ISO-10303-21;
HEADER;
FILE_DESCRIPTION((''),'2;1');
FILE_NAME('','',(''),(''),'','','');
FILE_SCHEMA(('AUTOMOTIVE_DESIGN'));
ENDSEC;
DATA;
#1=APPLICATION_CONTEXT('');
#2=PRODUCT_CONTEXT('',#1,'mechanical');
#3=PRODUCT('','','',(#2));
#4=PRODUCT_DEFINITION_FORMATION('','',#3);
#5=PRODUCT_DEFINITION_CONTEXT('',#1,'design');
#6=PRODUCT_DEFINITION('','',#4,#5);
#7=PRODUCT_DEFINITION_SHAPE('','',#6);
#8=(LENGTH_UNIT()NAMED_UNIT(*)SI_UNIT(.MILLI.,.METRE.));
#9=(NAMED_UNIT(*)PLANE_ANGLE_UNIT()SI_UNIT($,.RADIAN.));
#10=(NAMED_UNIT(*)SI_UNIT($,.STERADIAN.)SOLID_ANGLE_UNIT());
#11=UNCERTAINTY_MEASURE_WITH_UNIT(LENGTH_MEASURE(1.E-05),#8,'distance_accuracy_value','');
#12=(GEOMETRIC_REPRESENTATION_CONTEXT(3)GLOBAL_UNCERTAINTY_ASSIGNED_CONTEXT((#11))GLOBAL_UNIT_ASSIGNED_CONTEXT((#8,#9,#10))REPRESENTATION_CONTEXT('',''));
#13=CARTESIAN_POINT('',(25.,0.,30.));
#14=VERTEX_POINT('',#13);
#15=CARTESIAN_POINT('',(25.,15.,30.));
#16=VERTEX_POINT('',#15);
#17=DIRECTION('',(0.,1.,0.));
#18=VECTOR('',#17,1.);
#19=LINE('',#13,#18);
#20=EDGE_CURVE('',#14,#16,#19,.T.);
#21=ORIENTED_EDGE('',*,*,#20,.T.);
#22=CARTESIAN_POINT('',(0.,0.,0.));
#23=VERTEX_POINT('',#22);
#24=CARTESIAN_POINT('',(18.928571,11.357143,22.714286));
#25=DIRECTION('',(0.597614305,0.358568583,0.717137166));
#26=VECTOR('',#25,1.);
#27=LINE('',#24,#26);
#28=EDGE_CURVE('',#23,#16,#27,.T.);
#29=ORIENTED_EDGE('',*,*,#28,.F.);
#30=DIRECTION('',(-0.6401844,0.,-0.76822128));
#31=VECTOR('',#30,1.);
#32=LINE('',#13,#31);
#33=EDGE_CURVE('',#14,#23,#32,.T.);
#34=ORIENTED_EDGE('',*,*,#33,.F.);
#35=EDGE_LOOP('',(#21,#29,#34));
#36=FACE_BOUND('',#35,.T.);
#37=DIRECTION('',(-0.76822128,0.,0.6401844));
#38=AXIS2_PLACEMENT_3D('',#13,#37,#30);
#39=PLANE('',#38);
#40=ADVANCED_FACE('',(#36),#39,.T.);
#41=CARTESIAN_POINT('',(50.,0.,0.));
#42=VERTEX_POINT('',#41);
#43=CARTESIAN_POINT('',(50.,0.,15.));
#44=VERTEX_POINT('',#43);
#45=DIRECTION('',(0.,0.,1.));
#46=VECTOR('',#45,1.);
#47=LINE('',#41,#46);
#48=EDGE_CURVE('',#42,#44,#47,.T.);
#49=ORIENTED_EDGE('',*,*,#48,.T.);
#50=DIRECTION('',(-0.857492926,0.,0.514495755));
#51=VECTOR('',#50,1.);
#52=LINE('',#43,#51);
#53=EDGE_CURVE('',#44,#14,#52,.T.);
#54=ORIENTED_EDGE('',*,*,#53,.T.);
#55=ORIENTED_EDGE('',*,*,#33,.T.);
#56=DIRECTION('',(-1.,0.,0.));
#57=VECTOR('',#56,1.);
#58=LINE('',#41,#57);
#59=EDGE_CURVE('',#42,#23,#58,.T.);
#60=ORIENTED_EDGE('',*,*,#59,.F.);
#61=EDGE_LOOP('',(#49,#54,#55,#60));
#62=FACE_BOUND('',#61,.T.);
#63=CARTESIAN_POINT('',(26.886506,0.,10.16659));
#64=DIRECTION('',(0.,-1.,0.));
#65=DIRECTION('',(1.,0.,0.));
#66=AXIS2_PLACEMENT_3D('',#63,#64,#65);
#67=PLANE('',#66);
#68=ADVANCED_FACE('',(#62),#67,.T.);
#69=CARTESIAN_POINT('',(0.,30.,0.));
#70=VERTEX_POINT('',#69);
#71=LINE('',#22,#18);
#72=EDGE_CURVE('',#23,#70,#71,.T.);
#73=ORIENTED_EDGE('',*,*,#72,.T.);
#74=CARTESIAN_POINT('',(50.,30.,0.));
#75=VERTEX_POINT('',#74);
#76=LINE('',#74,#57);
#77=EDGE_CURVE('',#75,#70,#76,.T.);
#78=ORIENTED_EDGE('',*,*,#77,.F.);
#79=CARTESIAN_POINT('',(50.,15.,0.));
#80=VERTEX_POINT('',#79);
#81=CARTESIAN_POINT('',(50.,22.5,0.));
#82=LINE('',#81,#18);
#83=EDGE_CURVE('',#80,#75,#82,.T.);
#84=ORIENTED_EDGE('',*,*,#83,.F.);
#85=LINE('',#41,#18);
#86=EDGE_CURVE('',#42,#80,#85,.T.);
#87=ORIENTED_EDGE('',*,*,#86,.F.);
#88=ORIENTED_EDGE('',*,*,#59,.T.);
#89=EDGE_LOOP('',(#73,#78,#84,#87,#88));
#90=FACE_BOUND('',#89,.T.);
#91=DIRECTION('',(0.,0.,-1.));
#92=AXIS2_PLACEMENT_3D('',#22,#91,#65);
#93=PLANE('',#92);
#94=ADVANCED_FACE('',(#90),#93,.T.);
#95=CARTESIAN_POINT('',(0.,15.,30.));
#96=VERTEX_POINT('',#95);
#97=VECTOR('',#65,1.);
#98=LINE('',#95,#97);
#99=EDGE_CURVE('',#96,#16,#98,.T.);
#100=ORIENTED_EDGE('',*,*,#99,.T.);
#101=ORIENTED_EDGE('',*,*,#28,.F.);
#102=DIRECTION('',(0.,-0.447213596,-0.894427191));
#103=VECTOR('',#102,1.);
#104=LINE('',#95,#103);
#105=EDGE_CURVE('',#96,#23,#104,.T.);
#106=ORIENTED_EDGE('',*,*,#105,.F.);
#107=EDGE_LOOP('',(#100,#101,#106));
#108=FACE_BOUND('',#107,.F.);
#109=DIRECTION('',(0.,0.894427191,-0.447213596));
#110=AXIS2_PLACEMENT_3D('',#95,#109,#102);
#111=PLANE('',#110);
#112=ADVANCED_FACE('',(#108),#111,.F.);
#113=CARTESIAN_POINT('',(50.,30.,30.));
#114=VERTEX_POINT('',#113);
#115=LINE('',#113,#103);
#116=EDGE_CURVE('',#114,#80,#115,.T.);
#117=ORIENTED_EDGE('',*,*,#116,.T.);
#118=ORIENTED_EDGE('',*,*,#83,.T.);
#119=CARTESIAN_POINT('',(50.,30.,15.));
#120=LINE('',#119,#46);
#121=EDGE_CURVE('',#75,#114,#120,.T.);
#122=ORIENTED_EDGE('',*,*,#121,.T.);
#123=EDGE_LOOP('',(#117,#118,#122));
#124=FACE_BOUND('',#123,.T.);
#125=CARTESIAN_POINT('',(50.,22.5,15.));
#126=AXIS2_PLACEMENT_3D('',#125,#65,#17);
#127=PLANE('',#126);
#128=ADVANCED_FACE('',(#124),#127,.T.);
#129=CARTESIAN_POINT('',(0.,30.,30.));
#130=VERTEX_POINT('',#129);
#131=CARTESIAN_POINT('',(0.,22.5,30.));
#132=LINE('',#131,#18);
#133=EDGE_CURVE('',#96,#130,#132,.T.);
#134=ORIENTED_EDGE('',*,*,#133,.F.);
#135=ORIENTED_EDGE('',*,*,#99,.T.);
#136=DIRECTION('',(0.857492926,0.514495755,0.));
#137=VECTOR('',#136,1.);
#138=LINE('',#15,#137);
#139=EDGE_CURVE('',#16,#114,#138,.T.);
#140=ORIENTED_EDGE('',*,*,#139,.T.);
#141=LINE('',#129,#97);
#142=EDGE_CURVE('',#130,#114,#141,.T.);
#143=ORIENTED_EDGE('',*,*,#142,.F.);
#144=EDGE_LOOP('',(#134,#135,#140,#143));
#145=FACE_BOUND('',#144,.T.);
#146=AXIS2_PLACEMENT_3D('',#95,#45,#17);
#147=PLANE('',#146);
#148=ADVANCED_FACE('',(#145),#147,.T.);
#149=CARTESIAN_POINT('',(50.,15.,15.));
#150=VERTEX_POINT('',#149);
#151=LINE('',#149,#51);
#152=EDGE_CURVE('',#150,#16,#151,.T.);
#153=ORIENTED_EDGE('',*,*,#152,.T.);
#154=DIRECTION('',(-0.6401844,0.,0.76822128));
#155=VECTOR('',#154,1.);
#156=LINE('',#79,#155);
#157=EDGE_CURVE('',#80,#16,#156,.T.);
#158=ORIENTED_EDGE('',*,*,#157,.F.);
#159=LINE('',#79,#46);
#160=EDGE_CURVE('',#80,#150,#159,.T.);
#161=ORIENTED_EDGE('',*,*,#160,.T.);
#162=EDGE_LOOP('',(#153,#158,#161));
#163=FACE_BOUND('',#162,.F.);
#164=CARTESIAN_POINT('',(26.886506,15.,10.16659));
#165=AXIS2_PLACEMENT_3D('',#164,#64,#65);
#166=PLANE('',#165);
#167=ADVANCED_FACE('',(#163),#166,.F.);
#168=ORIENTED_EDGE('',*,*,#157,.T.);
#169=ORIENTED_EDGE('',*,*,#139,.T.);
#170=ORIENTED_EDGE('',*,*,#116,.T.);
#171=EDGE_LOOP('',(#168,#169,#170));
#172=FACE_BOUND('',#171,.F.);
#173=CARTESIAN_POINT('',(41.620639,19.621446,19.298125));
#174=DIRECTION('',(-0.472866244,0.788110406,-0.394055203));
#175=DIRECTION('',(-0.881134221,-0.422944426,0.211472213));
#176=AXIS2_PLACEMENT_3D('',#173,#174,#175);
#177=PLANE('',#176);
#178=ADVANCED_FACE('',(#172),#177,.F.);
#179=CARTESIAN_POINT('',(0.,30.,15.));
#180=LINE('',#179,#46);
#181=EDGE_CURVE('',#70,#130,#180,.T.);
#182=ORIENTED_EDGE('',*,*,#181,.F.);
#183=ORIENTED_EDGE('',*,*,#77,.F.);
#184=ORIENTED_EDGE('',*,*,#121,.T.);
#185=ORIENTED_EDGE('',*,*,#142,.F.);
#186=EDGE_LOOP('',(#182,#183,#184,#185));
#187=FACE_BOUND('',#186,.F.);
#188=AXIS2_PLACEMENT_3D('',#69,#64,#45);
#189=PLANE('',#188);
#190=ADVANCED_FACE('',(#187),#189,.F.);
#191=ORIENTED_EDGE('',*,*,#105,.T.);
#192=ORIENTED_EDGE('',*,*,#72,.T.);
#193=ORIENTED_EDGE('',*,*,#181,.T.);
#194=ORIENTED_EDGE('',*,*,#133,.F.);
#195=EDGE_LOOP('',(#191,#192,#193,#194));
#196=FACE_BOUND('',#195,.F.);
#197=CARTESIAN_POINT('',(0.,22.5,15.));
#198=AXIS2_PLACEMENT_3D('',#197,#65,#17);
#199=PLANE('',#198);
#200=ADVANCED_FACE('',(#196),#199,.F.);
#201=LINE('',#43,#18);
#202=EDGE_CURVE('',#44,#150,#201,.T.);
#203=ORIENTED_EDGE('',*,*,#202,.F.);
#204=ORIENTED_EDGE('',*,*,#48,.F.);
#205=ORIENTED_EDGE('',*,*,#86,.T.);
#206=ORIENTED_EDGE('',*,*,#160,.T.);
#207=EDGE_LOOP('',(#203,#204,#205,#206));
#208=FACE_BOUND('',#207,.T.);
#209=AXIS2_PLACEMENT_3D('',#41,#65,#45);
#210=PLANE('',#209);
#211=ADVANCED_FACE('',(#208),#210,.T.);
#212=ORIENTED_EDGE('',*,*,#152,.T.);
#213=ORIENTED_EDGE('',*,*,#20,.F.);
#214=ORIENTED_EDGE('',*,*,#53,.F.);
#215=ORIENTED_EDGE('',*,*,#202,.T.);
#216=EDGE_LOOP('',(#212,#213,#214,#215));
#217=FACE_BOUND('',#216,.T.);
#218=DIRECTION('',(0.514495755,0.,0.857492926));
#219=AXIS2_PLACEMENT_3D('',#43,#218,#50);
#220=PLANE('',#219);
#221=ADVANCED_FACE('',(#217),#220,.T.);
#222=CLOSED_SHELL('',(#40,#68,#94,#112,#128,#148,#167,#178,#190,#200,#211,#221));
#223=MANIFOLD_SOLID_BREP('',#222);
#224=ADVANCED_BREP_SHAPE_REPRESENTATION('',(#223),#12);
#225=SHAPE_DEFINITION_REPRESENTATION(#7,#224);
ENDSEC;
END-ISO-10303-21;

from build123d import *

# Parameters (mm, degrees)
F0_W     = 15
F0_H     = 30
F1_DEPTH = 25
F2_DEPTH = 50
F5_DEPTH = 23.6443121872
F7_DEPTH = 15


with BuildPart() as f1:
    # F0 (on Right) → F1 (new body)
    with BuildSketch(Plane.YZ):
        with Locations((22.5, 15)):
            Rectangle(F0_W, F0_H)
        Polygon((15, 30), (0, 0), (15, 0), align=None)
    extrude(amount=F1_DEPTH)

    # F0 (on Right) → F2 (join)
    with BuildSketch(Plane.YZ):
        with Locations((22.5, 15)):
            Rectangle(F0_W, F0_H)
    extrude(amount=F2_DEPTH)

    # F4 (on 3pt) → F5 (cut, through all)
    with BuildSketch(Plane(origin=(5.5900621118, -9.3167701863, 4.6583850932), x_dir=(-0.8811342211, -0.4229444261, 0.2114722131), z_dir=(-0.4728662437, 0.7881104062, -0.3940552031))):
        Polygon((-50.4008774448, 6.7082039325), (-22.0283555266, 33.5410196625), (-50.4008774448, 40.249223595), align=None)
    extrude(amount=-F5_DEPTH, mode=Mode.SUBTRACT)

    # F6 (on Front) → F7 (join)
    with BuildSketch(Plane.XZ):
        Polygon((25, 0), (50, 0), (50, 15), (25, 30), (0, 0), align=None)
    extrude(amount=-F7_DEPTH)


solid = f1.part
